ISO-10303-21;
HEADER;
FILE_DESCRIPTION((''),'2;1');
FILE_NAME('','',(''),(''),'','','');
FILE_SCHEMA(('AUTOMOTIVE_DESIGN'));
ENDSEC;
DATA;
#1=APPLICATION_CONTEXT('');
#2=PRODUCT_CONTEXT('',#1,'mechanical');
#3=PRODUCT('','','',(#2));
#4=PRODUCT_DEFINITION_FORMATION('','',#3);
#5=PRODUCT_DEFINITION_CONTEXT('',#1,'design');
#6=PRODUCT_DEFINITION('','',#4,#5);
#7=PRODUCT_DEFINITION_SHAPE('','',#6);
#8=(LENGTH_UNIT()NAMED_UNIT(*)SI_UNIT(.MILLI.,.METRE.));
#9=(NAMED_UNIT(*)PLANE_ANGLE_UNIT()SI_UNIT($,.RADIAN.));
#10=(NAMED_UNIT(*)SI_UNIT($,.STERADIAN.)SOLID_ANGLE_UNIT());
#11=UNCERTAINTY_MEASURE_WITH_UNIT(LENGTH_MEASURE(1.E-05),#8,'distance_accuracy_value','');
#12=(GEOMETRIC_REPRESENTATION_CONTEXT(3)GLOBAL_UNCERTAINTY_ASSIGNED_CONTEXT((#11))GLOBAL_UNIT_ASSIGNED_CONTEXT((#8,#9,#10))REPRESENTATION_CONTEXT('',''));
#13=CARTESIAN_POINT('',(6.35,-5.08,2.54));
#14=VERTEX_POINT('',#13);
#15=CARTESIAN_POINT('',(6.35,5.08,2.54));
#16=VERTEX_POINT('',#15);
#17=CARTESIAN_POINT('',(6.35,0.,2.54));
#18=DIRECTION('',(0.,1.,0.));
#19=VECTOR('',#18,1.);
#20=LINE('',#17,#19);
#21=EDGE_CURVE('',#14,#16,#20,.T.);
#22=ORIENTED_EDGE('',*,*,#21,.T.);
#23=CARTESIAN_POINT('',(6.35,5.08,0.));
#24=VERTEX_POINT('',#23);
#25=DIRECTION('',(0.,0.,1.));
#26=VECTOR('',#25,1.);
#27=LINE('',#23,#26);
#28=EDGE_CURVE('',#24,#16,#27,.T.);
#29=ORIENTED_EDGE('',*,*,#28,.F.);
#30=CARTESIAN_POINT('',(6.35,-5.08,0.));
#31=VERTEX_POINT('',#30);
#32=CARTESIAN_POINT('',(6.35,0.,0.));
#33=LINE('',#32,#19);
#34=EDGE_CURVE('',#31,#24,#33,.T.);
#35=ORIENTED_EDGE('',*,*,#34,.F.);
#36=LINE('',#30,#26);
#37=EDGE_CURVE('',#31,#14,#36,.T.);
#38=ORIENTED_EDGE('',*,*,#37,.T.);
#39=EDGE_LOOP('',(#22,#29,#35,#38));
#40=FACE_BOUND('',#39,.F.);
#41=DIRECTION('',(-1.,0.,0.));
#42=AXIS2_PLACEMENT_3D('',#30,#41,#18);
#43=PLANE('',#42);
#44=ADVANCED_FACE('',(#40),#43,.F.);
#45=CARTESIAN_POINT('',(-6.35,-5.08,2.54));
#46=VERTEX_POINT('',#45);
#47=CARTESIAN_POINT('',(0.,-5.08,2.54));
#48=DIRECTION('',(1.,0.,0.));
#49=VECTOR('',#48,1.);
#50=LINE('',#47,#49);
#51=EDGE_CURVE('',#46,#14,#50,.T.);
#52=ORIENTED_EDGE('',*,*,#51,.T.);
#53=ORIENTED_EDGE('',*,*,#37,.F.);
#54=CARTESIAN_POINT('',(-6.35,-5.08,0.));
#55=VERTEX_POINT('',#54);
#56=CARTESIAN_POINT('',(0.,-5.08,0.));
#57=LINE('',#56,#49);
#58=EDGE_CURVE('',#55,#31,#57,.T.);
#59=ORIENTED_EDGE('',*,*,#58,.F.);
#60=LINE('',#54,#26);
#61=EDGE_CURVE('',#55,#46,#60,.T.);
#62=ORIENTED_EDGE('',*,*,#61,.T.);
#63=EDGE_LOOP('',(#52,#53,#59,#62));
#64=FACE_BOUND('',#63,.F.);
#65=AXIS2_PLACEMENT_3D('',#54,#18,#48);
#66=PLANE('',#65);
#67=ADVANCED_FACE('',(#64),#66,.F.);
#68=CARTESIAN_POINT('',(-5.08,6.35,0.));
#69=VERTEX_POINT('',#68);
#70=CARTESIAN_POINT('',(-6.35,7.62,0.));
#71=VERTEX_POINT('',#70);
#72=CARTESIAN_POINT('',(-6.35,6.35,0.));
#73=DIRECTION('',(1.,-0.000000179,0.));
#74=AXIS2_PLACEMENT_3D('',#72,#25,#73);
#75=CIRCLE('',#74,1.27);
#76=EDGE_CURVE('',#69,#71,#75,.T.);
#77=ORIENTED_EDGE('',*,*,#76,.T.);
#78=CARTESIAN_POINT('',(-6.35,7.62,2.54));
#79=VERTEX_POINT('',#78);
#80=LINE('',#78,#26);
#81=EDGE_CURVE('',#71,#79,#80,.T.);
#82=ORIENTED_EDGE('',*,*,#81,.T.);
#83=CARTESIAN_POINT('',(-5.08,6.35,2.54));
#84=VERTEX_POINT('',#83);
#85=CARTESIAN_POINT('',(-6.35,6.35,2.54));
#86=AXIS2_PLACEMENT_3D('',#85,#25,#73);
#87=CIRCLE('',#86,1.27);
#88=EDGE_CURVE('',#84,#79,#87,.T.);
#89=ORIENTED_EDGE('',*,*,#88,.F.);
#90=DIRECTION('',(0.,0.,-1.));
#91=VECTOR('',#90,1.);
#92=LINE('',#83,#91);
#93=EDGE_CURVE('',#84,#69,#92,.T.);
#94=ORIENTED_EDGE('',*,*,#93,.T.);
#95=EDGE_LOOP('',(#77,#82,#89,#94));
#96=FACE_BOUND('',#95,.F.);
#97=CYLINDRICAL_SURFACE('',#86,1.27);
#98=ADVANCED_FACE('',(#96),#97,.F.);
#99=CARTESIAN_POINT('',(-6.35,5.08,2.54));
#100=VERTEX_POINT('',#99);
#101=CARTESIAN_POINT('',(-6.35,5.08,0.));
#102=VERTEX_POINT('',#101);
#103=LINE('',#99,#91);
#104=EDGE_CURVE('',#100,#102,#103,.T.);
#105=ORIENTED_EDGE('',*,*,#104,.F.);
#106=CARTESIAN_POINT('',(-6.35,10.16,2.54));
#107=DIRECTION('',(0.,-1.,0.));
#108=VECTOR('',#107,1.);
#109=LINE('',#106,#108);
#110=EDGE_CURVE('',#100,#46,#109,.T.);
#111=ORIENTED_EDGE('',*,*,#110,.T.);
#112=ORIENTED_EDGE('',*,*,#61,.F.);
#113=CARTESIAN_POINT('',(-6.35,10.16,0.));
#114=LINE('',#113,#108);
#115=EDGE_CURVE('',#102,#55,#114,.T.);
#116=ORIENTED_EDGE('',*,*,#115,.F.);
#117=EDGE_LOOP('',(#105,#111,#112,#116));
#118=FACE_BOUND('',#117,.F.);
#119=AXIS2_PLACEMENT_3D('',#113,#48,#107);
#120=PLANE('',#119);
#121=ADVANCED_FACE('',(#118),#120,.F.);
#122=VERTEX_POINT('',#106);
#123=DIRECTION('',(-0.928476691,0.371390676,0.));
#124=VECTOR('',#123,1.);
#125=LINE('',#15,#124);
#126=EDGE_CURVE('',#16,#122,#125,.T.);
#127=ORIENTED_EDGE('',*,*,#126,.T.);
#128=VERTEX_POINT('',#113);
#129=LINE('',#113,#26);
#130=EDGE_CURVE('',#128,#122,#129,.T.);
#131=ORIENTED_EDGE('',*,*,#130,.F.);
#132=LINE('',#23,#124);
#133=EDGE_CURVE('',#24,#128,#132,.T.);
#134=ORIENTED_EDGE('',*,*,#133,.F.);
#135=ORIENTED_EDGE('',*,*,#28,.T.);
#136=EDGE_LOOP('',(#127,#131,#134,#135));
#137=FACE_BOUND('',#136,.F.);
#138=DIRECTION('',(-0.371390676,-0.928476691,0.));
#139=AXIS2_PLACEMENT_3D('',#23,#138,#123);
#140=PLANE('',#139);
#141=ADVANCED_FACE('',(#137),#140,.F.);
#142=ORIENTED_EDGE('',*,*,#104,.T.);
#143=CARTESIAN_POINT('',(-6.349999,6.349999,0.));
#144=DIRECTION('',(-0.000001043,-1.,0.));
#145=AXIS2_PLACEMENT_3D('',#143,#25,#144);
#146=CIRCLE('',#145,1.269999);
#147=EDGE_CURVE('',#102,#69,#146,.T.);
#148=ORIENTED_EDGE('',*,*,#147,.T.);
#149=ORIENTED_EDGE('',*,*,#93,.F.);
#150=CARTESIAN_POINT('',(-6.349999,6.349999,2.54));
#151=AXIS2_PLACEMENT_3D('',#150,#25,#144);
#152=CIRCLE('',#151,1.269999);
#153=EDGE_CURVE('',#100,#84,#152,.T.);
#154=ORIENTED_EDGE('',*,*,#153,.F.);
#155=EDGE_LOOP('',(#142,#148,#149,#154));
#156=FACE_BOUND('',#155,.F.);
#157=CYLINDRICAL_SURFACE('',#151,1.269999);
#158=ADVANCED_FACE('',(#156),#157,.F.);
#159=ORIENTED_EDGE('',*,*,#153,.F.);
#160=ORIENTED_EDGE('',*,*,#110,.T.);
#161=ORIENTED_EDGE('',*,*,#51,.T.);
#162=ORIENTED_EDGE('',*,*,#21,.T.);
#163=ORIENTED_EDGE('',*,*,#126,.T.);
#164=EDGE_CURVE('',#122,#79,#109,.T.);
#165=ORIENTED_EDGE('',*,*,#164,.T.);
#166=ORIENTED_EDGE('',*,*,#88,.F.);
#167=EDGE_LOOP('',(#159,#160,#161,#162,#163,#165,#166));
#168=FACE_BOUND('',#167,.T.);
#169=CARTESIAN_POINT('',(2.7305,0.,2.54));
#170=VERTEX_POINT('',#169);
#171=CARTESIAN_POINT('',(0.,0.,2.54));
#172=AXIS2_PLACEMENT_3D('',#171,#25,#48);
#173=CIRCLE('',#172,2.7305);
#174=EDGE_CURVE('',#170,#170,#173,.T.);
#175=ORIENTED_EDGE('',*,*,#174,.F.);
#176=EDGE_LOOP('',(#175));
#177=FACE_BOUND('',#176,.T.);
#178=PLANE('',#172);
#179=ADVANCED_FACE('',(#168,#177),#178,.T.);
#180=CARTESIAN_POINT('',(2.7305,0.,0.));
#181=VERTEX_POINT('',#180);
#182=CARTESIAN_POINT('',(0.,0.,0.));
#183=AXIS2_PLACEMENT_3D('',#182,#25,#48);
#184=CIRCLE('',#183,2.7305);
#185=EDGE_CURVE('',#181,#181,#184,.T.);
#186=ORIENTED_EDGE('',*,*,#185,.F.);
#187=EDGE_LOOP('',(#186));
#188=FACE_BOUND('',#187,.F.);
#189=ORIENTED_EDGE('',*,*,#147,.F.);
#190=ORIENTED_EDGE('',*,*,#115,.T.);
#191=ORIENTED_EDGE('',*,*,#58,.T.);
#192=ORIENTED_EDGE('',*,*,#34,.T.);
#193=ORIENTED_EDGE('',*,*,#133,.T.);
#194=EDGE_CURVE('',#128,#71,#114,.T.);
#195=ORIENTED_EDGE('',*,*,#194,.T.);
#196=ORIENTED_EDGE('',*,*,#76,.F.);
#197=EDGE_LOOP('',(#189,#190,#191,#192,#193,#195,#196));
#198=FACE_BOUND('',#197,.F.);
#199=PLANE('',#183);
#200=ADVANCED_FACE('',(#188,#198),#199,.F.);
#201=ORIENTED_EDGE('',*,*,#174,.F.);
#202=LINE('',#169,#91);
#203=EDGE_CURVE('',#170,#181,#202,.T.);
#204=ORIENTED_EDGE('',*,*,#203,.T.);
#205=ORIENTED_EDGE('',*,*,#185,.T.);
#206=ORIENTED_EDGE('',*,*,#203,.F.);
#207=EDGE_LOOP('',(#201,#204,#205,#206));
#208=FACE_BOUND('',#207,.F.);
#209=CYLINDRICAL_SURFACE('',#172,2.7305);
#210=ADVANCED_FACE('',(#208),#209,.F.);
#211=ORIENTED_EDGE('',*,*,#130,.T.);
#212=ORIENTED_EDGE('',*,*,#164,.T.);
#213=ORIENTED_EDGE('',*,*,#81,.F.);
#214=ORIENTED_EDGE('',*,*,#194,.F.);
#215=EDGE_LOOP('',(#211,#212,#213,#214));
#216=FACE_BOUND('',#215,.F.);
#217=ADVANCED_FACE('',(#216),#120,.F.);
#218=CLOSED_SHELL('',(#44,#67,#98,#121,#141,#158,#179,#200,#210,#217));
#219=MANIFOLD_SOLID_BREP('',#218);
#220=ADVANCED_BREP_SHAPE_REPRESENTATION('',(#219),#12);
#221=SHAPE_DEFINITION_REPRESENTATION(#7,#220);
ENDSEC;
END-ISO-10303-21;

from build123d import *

# Parameters (mm, degrees)
F0_W     = 12.7
F0_H     = 10.16
F1_DEPTH = 2.54
F3_DEPTH = 25.4
F4_R     = 2.7305
F5_DEPTH = 25.4


with BuildPart() as f1:
    # F0 (on Top) → F1 (new body)
    with BuildSketch(Plane.XY):
        Rectangle(F0_W, F0_H)
        Polygon((-6.35, 5.08), (6.35, 5.08), (-6.35, 10.16), align=None)
    extrude(amount=F1_DEPTH)

    # F2 (on face) → F3 (cut)
    with BuildSketch(Plane.XY.offset(2.54)):
        with BuildLine():
            ThreePointArc((-6.35, 5.08), (-5.451974, 5.451974), (-5.08, 6.35))
            ThreePointArc((-5.08, 6.35), (-7.248026, 7.248026), (-6.35, 5.08))
        make_face()
    extrude(amount=-F3_DEPTH, mode=Mode.SUBTRACT)

    # F4 (on face) → F5 (cut)
    with BuildSketch(Plane.XY.offset(2.54)):
        Circle(F4_R)
    extrude(amount=-F5_DEPTH, mode=Mode.SUBTRACT)


solid = f1.part
